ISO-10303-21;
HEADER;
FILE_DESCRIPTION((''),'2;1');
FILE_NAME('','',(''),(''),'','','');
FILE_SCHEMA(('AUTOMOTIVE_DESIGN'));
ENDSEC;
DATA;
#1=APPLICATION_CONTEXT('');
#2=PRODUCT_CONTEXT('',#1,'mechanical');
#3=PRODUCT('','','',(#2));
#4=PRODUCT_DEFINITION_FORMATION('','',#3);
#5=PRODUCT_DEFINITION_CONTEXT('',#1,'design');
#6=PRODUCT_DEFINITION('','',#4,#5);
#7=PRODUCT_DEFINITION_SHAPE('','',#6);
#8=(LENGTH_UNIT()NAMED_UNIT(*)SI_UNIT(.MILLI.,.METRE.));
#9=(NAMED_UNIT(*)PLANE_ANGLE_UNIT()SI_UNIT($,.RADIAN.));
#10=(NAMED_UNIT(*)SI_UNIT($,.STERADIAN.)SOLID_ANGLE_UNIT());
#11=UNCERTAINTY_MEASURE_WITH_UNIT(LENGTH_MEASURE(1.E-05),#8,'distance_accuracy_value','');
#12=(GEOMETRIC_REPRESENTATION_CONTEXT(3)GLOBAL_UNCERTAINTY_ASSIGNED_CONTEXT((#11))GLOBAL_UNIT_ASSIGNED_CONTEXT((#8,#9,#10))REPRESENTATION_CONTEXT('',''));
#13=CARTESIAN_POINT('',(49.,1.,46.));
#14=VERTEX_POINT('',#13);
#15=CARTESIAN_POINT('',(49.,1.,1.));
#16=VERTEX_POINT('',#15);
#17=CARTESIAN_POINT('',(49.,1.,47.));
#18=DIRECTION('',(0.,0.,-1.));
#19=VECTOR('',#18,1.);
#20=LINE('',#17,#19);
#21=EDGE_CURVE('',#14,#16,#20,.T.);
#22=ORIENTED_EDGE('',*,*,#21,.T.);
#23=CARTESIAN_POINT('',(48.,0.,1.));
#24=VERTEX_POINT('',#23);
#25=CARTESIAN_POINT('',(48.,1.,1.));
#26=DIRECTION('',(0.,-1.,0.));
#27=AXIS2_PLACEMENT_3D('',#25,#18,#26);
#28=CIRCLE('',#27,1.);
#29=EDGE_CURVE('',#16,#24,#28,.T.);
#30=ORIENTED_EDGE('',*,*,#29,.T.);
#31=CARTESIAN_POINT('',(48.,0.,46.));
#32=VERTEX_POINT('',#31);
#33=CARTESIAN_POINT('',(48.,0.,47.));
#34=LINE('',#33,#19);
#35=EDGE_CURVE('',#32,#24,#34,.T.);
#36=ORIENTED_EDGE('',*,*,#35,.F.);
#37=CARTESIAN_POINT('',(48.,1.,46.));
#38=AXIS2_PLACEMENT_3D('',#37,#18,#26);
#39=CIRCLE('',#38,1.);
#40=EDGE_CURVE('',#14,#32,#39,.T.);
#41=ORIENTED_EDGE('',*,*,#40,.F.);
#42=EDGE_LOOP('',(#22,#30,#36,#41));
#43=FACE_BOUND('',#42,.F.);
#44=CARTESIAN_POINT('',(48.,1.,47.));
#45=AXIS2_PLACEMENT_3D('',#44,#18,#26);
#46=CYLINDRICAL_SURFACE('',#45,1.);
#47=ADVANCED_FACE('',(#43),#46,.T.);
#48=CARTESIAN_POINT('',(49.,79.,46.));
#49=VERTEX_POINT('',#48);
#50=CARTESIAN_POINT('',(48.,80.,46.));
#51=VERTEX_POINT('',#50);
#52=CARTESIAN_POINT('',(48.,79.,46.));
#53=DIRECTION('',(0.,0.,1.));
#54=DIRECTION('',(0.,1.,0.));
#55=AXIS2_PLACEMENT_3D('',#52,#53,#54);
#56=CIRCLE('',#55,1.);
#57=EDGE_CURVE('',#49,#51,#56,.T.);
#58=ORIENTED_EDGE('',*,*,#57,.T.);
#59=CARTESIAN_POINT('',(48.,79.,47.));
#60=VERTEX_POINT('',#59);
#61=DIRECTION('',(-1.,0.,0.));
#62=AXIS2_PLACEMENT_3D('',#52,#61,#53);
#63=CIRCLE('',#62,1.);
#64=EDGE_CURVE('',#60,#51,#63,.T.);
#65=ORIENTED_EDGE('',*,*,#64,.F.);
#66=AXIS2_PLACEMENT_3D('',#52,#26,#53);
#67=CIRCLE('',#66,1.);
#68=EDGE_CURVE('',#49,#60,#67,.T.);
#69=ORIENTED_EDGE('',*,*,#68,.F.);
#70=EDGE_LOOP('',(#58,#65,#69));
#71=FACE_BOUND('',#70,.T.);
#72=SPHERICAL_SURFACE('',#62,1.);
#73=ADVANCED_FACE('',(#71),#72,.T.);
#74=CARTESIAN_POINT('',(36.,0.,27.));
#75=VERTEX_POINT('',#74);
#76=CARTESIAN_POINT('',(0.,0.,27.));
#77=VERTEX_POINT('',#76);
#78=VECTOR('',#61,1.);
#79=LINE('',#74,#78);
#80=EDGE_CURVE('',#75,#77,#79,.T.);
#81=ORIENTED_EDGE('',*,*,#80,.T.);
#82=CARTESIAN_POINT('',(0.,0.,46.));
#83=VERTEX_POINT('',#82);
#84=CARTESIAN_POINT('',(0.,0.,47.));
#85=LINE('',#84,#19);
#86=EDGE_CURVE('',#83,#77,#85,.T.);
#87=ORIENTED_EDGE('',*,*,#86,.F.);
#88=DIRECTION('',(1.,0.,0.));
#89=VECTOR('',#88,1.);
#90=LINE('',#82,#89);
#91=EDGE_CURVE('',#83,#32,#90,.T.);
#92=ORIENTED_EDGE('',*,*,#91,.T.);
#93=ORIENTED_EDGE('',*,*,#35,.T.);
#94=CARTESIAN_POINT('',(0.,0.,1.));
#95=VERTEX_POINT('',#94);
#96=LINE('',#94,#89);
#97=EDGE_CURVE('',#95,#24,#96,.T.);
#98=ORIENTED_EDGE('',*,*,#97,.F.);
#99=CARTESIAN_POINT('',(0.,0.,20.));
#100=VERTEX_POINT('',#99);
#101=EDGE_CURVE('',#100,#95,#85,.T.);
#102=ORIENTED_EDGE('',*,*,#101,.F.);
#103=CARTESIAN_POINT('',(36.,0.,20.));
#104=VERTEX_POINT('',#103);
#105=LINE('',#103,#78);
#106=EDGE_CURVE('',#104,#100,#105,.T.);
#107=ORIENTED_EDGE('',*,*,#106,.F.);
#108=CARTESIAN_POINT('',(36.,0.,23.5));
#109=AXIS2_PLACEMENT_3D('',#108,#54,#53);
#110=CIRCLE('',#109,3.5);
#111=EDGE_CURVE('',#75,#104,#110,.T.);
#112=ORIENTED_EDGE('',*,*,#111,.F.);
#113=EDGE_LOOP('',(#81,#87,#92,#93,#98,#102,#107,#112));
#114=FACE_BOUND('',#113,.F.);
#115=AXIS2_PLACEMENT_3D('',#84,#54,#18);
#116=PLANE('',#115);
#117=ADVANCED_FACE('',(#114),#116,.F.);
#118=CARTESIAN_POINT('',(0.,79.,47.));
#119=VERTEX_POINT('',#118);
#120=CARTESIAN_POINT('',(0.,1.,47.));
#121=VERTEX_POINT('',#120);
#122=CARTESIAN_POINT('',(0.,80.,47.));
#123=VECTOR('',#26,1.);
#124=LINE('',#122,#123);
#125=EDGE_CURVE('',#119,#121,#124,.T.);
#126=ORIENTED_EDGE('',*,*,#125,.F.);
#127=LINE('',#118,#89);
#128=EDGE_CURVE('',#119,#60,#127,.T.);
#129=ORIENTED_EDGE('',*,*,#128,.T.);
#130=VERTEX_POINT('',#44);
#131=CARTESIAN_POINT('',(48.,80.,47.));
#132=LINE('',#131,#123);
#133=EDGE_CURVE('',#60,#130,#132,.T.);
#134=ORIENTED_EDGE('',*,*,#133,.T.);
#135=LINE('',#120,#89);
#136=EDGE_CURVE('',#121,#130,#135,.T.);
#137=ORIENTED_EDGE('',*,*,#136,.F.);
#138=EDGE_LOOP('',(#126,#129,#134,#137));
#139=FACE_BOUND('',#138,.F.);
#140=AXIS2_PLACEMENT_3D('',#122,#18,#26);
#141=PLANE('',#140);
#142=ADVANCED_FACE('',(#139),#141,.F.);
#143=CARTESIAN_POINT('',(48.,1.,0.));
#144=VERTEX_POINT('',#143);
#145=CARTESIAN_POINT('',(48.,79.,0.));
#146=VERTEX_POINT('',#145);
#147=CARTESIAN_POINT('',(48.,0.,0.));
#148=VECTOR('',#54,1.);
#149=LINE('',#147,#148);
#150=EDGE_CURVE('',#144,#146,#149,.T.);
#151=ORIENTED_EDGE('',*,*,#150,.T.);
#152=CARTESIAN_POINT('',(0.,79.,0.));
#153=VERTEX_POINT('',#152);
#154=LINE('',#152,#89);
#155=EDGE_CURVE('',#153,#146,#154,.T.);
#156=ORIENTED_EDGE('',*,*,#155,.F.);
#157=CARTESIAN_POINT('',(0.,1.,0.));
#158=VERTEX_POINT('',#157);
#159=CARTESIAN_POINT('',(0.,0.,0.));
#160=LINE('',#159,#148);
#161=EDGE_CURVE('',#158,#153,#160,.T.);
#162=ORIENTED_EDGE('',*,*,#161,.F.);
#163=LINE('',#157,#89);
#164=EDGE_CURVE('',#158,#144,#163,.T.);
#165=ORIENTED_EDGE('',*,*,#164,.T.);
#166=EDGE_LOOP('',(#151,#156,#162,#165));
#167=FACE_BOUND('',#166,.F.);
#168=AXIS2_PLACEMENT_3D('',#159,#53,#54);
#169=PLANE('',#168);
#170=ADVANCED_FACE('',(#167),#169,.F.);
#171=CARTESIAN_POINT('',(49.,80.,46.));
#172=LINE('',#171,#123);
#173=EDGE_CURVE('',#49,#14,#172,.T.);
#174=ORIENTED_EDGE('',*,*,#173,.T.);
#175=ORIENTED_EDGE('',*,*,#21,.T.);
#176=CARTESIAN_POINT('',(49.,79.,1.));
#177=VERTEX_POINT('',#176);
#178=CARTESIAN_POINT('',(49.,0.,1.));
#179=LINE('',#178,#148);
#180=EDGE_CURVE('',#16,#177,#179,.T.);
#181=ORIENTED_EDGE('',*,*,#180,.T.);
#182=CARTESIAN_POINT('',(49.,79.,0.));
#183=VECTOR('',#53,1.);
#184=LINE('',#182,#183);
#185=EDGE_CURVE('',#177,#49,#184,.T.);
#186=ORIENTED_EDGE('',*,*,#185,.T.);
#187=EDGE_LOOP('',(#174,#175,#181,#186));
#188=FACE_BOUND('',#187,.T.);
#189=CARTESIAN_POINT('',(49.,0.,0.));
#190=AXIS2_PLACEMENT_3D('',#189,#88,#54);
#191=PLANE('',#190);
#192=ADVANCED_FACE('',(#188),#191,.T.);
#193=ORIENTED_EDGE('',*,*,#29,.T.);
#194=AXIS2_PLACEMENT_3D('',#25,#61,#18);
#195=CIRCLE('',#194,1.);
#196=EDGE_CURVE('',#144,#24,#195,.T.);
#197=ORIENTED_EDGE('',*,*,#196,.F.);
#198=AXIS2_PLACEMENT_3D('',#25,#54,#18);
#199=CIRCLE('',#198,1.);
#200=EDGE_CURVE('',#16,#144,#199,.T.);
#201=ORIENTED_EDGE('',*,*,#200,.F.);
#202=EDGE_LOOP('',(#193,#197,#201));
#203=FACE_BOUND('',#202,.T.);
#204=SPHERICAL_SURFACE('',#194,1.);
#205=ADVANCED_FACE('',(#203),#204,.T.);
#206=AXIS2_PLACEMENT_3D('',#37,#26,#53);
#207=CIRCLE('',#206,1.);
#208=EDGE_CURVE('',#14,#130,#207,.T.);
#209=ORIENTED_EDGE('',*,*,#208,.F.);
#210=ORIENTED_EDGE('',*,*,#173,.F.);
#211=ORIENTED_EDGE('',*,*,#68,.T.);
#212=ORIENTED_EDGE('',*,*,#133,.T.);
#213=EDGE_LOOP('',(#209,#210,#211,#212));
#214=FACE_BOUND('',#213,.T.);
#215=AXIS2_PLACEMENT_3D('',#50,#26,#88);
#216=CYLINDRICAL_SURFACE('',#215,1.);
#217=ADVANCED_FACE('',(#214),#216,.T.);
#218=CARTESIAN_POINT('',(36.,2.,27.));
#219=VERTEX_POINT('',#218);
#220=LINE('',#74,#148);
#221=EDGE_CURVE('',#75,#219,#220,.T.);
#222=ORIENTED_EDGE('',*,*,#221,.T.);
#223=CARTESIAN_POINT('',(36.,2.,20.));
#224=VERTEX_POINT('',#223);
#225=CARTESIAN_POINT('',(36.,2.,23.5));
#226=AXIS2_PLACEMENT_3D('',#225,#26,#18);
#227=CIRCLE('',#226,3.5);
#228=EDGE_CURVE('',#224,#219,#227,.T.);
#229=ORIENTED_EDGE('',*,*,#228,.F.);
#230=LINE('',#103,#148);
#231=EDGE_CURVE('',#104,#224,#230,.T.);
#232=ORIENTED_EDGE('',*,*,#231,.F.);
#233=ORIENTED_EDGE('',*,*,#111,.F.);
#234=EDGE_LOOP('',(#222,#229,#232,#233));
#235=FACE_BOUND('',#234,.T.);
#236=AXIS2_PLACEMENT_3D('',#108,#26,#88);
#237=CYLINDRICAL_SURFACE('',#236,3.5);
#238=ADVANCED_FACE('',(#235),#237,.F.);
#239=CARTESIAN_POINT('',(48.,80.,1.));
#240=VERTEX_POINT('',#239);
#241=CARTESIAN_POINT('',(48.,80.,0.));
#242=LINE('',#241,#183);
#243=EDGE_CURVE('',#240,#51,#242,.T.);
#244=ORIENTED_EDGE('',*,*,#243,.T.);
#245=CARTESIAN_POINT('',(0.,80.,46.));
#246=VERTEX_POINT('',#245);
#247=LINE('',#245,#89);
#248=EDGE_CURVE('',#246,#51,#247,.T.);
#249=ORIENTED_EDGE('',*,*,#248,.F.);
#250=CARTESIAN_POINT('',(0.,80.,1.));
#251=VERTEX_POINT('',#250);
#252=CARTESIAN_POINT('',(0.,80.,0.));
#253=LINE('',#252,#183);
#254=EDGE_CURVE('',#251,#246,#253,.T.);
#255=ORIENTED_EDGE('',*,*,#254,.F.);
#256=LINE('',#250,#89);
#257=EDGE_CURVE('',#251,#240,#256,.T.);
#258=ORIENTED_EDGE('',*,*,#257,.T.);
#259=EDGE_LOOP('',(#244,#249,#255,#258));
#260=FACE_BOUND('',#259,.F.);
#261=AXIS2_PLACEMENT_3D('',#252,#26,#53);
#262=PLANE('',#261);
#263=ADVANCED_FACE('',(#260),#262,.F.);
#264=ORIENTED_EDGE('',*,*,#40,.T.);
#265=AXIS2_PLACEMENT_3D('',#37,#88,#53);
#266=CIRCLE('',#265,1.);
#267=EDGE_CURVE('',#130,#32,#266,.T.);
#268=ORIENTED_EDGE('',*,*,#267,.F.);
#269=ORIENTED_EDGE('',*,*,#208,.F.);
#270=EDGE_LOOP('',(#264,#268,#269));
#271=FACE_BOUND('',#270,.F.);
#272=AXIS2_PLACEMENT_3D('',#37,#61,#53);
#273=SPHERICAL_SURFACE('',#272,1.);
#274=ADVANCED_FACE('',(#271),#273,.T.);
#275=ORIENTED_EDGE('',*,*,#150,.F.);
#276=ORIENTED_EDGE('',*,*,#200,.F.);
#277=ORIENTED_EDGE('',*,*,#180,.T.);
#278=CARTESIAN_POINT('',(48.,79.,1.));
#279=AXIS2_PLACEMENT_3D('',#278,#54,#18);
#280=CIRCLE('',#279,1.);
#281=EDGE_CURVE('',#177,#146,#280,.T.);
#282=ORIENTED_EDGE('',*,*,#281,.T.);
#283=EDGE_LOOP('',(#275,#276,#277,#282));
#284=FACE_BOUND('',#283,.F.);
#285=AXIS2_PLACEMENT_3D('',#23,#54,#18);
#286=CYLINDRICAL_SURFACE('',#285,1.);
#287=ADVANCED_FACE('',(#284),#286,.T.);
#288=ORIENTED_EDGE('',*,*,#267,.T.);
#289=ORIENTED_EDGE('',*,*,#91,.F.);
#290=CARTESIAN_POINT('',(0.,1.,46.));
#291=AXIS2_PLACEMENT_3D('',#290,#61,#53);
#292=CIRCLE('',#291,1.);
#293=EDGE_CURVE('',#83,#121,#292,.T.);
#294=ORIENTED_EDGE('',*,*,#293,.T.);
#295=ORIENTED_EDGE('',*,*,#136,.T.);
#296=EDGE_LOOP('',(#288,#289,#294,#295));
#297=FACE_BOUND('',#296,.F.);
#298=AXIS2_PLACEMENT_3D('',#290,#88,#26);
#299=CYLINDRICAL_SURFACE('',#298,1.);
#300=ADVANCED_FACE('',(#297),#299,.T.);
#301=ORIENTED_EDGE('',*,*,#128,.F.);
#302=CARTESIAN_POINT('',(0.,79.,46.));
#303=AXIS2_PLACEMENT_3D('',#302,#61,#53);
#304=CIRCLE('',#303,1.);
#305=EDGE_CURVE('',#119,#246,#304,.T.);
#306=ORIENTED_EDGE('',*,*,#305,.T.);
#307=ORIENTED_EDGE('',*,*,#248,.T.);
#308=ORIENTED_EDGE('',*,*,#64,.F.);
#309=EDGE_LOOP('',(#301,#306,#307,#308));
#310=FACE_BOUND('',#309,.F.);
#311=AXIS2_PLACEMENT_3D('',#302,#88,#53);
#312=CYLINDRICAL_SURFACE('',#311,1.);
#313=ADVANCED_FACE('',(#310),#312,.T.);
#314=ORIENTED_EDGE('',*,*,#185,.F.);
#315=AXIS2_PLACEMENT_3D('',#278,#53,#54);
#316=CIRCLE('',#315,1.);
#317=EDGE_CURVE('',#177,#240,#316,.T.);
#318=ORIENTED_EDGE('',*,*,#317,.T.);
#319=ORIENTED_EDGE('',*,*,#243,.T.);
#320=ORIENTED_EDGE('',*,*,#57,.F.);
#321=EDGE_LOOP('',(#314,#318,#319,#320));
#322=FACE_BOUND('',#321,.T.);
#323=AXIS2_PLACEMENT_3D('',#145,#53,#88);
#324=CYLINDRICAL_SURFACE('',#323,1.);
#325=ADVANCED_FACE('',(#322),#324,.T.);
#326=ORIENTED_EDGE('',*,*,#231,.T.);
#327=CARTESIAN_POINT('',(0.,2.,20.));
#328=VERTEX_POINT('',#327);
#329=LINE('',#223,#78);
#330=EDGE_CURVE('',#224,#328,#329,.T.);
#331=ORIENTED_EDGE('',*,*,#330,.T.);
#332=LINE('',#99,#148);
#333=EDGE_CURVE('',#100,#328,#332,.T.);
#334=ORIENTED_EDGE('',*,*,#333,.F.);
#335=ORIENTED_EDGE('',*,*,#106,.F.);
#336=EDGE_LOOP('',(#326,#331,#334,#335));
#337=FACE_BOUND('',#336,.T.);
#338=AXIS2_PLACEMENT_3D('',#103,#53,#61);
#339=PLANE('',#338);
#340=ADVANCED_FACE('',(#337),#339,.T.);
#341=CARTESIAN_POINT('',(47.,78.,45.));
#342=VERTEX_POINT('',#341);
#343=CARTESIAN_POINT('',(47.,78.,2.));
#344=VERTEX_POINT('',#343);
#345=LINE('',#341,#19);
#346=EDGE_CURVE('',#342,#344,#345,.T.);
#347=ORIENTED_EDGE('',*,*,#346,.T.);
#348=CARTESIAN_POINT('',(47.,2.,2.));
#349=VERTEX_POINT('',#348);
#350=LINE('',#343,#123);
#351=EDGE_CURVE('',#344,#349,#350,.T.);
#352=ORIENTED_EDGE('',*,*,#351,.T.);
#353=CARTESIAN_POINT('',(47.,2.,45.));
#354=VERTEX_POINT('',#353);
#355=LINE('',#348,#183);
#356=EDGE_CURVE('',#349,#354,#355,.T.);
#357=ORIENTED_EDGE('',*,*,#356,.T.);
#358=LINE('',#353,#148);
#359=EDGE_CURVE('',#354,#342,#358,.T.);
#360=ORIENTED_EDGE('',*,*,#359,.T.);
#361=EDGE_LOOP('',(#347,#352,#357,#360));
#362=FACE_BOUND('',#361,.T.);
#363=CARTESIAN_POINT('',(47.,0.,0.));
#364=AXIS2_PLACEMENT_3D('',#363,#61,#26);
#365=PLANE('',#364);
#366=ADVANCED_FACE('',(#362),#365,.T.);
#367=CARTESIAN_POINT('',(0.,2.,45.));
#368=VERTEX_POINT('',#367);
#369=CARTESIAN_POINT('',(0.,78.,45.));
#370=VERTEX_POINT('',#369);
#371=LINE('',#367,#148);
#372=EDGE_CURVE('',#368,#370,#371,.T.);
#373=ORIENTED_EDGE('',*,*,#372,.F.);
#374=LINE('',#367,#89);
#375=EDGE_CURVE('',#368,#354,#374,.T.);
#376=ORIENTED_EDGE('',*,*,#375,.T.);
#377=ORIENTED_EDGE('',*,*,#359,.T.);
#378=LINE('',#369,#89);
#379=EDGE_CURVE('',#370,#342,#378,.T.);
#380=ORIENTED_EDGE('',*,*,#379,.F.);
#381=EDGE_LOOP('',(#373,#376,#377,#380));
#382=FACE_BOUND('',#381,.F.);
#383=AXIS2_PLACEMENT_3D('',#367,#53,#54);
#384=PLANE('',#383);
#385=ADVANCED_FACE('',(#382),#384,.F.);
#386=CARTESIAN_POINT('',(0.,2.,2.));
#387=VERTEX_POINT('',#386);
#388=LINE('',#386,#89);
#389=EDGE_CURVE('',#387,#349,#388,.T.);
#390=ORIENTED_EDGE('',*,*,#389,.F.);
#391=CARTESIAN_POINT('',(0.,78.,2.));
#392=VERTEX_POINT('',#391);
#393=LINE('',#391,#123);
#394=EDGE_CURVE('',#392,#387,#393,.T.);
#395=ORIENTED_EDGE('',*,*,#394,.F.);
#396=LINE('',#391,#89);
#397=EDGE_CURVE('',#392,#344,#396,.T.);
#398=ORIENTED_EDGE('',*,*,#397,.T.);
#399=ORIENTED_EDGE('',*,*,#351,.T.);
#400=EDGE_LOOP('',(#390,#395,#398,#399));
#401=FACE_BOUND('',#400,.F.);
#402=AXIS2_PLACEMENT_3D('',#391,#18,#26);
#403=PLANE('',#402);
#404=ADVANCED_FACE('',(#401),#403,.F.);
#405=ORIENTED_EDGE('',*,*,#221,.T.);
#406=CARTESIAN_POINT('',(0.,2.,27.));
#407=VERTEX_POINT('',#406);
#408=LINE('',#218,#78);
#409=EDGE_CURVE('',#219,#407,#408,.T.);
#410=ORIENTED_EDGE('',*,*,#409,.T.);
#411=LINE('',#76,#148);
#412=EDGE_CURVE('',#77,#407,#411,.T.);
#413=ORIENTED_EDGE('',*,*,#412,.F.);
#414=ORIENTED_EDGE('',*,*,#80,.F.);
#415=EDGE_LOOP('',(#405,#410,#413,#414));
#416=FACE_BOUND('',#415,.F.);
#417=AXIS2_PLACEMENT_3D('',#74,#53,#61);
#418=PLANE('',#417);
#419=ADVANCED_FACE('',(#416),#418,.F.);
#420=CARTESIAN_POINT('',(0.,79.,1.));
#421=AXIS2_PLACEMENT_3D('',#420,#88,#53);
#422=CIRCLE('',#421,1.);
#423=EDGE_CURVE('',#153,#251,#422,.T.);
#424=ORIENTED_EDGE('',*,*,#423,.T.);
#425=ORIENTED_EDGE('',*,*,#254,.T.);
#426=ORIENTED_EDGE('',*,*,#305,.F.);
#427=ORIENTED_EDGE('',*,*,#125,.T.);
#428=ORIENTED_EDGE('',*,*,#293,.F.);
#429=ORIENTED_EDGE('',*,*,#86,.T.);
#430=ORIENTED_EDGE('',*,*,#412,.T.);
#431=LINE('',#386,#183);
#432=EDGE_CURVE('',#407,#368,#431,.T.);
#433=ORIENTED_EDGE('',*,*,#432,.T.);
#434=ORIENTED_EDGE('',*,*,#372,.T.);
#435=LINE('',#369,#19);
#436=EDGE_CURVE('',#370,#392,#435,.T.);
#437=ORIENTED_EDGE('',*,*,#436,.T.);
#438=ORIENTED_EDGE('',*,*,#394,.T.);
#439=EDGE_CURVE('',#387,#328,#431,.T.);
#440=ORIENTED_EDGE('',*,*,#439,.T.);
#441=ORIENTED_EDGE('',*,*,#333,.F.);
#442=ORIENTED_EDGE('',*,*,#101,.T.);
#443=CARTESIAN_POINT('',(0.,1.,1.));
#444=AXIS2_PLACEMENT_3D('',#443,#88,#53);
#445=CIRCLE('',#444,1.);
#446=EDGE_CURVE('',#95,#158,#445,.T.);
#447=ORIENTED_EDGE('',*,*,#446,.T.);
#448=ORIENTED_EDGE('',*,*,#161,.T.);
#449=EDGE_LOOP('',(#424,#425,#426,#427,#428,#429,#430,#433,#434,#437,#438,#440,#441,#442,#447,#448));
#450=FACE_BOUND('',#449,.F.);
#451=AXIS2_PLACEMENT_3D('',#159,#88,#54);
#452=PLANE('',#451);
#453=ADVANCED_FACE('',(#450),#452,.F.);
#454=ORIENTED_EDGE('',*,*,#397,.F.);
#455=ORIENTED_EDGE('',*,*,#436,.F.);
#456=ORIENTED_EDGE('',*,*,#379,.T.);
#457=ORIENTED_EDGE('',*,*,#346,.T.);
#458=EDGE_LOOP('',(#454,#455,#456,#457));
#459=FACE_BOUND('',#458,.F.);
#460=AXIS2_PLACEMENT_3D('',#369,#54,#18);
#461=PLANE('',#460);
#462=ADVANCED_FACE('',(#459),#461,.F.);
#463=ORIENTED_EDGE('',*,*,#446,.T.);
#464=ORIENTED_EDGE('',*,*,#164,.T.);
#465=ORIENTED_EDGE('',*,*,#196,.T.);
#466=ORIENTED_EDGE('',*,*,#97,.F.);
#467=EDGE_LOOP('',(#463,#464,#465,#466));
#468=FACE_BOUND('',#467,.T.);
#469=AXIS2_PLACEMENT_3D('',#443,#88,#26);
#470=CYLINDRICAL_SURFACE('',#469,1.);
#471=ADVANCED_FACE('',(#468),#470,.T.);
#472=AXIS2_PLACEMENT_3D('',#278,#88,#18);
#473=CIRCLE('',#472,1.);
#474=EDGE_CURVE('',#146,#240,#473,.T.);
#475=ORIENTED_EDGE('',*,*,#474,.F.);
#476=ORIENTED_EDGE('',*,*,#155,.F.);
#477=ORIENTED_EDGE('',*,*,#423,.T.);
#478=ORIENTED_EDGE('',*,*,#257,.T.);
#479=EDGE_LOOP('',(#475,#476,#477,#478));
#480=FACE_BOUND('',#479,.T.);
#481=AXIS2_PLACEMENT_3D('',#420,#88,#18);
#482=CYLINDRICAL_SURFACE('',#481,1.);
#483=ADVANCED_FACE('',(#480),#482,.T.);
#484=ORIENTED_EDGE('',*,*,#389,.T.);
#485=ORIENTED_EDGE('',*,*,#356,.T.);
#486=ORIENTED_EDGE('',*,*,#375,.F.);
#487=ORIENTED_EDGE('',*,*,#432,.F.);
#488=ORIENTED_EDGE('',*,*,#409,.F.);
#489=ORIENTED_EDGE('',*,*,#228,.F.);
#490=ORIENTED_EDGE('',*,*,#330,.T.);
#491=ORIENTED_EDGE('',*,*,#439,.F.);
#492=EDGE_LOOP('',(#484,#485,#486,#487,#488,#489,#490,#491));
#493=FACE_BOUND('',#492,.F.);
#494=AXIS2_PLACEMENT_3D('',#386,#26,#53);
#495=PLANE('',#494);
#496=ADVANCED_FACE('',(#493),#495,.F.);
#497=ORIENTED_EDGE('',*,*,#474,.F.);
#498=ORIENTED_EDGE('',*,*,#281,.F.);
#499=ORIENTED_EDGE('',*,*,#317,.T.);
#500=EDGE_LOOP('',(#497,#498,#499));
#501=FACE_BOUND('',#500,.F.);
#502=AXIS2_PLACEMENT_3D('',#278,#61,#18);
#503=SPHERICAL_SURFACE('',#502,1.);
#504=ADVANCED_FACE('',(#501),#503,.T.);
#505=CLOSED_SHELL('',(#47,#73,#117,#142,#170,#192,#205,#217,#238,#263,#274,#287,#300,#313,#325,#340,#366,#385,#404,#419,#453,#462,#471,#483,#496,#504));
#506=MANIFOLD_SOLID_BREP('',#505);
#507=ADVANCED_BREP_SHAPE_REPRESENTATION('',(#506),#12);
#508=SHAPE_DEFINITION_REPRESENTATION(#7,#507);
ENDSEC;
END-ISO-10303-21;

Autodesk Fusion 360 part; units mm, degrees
sketch "Sketch1" plane through (0, 0, 0) normal (1, 0, 0) x (0, 1, 0) in component "Box"
  line L0 (0, 0) -> (80, 0)
  line L1 (80, 0) -> (80, 47)
  line L2 (80, 47) -> (0, 47)
  line L3 (0, 47) -> (0, 0)
  dimension "d1" = 80
  dimension "d2" = 47
extrude "Extrude1" add sketch "Sketch1" along normal blind 49 in component "Box"
sketch "Sketch2" plane through (0, 0, 0) normal (-1, 0, 0) x (0, -1, 0) in component "Box"
  line L0 (0, 0) -> (0, 47)
  line L1 (0, 47) -> (-80, 47)
  line L2 (-80, 47) -> (-80, 0)
  line L3 (-80, 0) -> (0, 0)
  line L4 (-78, 2) -> (-2, 2)
  line L5 (-2, 2) -> (-2, 45)
  line L6 (-2, 45) -> (-78, 45)
  line L7 (-78, 45) -> (-78, 2)
  dimension "d5" = -2
extrude "Extrude2" cut sketch "Sketch2" against normal blind 47 contours L4 L5 L6 L7 in component "Box"
sketch "Sketch3" plane through (0, 0, 0) normal (0, 1, 0) x (1, 0, 0) in component "Box"
  circle A0 centre (36, -23.5) radius 3.5
  line L0 (0, -47) -> (0, 0)
  line L1 (0, 0) -> (49, 0)
  line L2 (36, -20) -> (0, -20)
  line L3 (36, -27) -> (0, -27)
  dimension "d8" = 7
  dimension "d12" = 36
  dimension "d13" = 23.5
extrude "Extrude3" cut sketch "Sketch3" along normal up to surface (2 mm away) in component "Box"
fillet "Fillet1" radius 1 8 edges at (24.5, 0, 47) (24.5, 80, 47) (24.5, 80, 0) (24.5, 0, 0) (49, 40, 47) (49, 40, 0) (49, 0, 23.5) (49, 80, 23.5) in component "Box"
component "Box" placed x (1, 0, 0) y (0, 1, 0) z (0, 0, 1) at (0, 0, 0)
